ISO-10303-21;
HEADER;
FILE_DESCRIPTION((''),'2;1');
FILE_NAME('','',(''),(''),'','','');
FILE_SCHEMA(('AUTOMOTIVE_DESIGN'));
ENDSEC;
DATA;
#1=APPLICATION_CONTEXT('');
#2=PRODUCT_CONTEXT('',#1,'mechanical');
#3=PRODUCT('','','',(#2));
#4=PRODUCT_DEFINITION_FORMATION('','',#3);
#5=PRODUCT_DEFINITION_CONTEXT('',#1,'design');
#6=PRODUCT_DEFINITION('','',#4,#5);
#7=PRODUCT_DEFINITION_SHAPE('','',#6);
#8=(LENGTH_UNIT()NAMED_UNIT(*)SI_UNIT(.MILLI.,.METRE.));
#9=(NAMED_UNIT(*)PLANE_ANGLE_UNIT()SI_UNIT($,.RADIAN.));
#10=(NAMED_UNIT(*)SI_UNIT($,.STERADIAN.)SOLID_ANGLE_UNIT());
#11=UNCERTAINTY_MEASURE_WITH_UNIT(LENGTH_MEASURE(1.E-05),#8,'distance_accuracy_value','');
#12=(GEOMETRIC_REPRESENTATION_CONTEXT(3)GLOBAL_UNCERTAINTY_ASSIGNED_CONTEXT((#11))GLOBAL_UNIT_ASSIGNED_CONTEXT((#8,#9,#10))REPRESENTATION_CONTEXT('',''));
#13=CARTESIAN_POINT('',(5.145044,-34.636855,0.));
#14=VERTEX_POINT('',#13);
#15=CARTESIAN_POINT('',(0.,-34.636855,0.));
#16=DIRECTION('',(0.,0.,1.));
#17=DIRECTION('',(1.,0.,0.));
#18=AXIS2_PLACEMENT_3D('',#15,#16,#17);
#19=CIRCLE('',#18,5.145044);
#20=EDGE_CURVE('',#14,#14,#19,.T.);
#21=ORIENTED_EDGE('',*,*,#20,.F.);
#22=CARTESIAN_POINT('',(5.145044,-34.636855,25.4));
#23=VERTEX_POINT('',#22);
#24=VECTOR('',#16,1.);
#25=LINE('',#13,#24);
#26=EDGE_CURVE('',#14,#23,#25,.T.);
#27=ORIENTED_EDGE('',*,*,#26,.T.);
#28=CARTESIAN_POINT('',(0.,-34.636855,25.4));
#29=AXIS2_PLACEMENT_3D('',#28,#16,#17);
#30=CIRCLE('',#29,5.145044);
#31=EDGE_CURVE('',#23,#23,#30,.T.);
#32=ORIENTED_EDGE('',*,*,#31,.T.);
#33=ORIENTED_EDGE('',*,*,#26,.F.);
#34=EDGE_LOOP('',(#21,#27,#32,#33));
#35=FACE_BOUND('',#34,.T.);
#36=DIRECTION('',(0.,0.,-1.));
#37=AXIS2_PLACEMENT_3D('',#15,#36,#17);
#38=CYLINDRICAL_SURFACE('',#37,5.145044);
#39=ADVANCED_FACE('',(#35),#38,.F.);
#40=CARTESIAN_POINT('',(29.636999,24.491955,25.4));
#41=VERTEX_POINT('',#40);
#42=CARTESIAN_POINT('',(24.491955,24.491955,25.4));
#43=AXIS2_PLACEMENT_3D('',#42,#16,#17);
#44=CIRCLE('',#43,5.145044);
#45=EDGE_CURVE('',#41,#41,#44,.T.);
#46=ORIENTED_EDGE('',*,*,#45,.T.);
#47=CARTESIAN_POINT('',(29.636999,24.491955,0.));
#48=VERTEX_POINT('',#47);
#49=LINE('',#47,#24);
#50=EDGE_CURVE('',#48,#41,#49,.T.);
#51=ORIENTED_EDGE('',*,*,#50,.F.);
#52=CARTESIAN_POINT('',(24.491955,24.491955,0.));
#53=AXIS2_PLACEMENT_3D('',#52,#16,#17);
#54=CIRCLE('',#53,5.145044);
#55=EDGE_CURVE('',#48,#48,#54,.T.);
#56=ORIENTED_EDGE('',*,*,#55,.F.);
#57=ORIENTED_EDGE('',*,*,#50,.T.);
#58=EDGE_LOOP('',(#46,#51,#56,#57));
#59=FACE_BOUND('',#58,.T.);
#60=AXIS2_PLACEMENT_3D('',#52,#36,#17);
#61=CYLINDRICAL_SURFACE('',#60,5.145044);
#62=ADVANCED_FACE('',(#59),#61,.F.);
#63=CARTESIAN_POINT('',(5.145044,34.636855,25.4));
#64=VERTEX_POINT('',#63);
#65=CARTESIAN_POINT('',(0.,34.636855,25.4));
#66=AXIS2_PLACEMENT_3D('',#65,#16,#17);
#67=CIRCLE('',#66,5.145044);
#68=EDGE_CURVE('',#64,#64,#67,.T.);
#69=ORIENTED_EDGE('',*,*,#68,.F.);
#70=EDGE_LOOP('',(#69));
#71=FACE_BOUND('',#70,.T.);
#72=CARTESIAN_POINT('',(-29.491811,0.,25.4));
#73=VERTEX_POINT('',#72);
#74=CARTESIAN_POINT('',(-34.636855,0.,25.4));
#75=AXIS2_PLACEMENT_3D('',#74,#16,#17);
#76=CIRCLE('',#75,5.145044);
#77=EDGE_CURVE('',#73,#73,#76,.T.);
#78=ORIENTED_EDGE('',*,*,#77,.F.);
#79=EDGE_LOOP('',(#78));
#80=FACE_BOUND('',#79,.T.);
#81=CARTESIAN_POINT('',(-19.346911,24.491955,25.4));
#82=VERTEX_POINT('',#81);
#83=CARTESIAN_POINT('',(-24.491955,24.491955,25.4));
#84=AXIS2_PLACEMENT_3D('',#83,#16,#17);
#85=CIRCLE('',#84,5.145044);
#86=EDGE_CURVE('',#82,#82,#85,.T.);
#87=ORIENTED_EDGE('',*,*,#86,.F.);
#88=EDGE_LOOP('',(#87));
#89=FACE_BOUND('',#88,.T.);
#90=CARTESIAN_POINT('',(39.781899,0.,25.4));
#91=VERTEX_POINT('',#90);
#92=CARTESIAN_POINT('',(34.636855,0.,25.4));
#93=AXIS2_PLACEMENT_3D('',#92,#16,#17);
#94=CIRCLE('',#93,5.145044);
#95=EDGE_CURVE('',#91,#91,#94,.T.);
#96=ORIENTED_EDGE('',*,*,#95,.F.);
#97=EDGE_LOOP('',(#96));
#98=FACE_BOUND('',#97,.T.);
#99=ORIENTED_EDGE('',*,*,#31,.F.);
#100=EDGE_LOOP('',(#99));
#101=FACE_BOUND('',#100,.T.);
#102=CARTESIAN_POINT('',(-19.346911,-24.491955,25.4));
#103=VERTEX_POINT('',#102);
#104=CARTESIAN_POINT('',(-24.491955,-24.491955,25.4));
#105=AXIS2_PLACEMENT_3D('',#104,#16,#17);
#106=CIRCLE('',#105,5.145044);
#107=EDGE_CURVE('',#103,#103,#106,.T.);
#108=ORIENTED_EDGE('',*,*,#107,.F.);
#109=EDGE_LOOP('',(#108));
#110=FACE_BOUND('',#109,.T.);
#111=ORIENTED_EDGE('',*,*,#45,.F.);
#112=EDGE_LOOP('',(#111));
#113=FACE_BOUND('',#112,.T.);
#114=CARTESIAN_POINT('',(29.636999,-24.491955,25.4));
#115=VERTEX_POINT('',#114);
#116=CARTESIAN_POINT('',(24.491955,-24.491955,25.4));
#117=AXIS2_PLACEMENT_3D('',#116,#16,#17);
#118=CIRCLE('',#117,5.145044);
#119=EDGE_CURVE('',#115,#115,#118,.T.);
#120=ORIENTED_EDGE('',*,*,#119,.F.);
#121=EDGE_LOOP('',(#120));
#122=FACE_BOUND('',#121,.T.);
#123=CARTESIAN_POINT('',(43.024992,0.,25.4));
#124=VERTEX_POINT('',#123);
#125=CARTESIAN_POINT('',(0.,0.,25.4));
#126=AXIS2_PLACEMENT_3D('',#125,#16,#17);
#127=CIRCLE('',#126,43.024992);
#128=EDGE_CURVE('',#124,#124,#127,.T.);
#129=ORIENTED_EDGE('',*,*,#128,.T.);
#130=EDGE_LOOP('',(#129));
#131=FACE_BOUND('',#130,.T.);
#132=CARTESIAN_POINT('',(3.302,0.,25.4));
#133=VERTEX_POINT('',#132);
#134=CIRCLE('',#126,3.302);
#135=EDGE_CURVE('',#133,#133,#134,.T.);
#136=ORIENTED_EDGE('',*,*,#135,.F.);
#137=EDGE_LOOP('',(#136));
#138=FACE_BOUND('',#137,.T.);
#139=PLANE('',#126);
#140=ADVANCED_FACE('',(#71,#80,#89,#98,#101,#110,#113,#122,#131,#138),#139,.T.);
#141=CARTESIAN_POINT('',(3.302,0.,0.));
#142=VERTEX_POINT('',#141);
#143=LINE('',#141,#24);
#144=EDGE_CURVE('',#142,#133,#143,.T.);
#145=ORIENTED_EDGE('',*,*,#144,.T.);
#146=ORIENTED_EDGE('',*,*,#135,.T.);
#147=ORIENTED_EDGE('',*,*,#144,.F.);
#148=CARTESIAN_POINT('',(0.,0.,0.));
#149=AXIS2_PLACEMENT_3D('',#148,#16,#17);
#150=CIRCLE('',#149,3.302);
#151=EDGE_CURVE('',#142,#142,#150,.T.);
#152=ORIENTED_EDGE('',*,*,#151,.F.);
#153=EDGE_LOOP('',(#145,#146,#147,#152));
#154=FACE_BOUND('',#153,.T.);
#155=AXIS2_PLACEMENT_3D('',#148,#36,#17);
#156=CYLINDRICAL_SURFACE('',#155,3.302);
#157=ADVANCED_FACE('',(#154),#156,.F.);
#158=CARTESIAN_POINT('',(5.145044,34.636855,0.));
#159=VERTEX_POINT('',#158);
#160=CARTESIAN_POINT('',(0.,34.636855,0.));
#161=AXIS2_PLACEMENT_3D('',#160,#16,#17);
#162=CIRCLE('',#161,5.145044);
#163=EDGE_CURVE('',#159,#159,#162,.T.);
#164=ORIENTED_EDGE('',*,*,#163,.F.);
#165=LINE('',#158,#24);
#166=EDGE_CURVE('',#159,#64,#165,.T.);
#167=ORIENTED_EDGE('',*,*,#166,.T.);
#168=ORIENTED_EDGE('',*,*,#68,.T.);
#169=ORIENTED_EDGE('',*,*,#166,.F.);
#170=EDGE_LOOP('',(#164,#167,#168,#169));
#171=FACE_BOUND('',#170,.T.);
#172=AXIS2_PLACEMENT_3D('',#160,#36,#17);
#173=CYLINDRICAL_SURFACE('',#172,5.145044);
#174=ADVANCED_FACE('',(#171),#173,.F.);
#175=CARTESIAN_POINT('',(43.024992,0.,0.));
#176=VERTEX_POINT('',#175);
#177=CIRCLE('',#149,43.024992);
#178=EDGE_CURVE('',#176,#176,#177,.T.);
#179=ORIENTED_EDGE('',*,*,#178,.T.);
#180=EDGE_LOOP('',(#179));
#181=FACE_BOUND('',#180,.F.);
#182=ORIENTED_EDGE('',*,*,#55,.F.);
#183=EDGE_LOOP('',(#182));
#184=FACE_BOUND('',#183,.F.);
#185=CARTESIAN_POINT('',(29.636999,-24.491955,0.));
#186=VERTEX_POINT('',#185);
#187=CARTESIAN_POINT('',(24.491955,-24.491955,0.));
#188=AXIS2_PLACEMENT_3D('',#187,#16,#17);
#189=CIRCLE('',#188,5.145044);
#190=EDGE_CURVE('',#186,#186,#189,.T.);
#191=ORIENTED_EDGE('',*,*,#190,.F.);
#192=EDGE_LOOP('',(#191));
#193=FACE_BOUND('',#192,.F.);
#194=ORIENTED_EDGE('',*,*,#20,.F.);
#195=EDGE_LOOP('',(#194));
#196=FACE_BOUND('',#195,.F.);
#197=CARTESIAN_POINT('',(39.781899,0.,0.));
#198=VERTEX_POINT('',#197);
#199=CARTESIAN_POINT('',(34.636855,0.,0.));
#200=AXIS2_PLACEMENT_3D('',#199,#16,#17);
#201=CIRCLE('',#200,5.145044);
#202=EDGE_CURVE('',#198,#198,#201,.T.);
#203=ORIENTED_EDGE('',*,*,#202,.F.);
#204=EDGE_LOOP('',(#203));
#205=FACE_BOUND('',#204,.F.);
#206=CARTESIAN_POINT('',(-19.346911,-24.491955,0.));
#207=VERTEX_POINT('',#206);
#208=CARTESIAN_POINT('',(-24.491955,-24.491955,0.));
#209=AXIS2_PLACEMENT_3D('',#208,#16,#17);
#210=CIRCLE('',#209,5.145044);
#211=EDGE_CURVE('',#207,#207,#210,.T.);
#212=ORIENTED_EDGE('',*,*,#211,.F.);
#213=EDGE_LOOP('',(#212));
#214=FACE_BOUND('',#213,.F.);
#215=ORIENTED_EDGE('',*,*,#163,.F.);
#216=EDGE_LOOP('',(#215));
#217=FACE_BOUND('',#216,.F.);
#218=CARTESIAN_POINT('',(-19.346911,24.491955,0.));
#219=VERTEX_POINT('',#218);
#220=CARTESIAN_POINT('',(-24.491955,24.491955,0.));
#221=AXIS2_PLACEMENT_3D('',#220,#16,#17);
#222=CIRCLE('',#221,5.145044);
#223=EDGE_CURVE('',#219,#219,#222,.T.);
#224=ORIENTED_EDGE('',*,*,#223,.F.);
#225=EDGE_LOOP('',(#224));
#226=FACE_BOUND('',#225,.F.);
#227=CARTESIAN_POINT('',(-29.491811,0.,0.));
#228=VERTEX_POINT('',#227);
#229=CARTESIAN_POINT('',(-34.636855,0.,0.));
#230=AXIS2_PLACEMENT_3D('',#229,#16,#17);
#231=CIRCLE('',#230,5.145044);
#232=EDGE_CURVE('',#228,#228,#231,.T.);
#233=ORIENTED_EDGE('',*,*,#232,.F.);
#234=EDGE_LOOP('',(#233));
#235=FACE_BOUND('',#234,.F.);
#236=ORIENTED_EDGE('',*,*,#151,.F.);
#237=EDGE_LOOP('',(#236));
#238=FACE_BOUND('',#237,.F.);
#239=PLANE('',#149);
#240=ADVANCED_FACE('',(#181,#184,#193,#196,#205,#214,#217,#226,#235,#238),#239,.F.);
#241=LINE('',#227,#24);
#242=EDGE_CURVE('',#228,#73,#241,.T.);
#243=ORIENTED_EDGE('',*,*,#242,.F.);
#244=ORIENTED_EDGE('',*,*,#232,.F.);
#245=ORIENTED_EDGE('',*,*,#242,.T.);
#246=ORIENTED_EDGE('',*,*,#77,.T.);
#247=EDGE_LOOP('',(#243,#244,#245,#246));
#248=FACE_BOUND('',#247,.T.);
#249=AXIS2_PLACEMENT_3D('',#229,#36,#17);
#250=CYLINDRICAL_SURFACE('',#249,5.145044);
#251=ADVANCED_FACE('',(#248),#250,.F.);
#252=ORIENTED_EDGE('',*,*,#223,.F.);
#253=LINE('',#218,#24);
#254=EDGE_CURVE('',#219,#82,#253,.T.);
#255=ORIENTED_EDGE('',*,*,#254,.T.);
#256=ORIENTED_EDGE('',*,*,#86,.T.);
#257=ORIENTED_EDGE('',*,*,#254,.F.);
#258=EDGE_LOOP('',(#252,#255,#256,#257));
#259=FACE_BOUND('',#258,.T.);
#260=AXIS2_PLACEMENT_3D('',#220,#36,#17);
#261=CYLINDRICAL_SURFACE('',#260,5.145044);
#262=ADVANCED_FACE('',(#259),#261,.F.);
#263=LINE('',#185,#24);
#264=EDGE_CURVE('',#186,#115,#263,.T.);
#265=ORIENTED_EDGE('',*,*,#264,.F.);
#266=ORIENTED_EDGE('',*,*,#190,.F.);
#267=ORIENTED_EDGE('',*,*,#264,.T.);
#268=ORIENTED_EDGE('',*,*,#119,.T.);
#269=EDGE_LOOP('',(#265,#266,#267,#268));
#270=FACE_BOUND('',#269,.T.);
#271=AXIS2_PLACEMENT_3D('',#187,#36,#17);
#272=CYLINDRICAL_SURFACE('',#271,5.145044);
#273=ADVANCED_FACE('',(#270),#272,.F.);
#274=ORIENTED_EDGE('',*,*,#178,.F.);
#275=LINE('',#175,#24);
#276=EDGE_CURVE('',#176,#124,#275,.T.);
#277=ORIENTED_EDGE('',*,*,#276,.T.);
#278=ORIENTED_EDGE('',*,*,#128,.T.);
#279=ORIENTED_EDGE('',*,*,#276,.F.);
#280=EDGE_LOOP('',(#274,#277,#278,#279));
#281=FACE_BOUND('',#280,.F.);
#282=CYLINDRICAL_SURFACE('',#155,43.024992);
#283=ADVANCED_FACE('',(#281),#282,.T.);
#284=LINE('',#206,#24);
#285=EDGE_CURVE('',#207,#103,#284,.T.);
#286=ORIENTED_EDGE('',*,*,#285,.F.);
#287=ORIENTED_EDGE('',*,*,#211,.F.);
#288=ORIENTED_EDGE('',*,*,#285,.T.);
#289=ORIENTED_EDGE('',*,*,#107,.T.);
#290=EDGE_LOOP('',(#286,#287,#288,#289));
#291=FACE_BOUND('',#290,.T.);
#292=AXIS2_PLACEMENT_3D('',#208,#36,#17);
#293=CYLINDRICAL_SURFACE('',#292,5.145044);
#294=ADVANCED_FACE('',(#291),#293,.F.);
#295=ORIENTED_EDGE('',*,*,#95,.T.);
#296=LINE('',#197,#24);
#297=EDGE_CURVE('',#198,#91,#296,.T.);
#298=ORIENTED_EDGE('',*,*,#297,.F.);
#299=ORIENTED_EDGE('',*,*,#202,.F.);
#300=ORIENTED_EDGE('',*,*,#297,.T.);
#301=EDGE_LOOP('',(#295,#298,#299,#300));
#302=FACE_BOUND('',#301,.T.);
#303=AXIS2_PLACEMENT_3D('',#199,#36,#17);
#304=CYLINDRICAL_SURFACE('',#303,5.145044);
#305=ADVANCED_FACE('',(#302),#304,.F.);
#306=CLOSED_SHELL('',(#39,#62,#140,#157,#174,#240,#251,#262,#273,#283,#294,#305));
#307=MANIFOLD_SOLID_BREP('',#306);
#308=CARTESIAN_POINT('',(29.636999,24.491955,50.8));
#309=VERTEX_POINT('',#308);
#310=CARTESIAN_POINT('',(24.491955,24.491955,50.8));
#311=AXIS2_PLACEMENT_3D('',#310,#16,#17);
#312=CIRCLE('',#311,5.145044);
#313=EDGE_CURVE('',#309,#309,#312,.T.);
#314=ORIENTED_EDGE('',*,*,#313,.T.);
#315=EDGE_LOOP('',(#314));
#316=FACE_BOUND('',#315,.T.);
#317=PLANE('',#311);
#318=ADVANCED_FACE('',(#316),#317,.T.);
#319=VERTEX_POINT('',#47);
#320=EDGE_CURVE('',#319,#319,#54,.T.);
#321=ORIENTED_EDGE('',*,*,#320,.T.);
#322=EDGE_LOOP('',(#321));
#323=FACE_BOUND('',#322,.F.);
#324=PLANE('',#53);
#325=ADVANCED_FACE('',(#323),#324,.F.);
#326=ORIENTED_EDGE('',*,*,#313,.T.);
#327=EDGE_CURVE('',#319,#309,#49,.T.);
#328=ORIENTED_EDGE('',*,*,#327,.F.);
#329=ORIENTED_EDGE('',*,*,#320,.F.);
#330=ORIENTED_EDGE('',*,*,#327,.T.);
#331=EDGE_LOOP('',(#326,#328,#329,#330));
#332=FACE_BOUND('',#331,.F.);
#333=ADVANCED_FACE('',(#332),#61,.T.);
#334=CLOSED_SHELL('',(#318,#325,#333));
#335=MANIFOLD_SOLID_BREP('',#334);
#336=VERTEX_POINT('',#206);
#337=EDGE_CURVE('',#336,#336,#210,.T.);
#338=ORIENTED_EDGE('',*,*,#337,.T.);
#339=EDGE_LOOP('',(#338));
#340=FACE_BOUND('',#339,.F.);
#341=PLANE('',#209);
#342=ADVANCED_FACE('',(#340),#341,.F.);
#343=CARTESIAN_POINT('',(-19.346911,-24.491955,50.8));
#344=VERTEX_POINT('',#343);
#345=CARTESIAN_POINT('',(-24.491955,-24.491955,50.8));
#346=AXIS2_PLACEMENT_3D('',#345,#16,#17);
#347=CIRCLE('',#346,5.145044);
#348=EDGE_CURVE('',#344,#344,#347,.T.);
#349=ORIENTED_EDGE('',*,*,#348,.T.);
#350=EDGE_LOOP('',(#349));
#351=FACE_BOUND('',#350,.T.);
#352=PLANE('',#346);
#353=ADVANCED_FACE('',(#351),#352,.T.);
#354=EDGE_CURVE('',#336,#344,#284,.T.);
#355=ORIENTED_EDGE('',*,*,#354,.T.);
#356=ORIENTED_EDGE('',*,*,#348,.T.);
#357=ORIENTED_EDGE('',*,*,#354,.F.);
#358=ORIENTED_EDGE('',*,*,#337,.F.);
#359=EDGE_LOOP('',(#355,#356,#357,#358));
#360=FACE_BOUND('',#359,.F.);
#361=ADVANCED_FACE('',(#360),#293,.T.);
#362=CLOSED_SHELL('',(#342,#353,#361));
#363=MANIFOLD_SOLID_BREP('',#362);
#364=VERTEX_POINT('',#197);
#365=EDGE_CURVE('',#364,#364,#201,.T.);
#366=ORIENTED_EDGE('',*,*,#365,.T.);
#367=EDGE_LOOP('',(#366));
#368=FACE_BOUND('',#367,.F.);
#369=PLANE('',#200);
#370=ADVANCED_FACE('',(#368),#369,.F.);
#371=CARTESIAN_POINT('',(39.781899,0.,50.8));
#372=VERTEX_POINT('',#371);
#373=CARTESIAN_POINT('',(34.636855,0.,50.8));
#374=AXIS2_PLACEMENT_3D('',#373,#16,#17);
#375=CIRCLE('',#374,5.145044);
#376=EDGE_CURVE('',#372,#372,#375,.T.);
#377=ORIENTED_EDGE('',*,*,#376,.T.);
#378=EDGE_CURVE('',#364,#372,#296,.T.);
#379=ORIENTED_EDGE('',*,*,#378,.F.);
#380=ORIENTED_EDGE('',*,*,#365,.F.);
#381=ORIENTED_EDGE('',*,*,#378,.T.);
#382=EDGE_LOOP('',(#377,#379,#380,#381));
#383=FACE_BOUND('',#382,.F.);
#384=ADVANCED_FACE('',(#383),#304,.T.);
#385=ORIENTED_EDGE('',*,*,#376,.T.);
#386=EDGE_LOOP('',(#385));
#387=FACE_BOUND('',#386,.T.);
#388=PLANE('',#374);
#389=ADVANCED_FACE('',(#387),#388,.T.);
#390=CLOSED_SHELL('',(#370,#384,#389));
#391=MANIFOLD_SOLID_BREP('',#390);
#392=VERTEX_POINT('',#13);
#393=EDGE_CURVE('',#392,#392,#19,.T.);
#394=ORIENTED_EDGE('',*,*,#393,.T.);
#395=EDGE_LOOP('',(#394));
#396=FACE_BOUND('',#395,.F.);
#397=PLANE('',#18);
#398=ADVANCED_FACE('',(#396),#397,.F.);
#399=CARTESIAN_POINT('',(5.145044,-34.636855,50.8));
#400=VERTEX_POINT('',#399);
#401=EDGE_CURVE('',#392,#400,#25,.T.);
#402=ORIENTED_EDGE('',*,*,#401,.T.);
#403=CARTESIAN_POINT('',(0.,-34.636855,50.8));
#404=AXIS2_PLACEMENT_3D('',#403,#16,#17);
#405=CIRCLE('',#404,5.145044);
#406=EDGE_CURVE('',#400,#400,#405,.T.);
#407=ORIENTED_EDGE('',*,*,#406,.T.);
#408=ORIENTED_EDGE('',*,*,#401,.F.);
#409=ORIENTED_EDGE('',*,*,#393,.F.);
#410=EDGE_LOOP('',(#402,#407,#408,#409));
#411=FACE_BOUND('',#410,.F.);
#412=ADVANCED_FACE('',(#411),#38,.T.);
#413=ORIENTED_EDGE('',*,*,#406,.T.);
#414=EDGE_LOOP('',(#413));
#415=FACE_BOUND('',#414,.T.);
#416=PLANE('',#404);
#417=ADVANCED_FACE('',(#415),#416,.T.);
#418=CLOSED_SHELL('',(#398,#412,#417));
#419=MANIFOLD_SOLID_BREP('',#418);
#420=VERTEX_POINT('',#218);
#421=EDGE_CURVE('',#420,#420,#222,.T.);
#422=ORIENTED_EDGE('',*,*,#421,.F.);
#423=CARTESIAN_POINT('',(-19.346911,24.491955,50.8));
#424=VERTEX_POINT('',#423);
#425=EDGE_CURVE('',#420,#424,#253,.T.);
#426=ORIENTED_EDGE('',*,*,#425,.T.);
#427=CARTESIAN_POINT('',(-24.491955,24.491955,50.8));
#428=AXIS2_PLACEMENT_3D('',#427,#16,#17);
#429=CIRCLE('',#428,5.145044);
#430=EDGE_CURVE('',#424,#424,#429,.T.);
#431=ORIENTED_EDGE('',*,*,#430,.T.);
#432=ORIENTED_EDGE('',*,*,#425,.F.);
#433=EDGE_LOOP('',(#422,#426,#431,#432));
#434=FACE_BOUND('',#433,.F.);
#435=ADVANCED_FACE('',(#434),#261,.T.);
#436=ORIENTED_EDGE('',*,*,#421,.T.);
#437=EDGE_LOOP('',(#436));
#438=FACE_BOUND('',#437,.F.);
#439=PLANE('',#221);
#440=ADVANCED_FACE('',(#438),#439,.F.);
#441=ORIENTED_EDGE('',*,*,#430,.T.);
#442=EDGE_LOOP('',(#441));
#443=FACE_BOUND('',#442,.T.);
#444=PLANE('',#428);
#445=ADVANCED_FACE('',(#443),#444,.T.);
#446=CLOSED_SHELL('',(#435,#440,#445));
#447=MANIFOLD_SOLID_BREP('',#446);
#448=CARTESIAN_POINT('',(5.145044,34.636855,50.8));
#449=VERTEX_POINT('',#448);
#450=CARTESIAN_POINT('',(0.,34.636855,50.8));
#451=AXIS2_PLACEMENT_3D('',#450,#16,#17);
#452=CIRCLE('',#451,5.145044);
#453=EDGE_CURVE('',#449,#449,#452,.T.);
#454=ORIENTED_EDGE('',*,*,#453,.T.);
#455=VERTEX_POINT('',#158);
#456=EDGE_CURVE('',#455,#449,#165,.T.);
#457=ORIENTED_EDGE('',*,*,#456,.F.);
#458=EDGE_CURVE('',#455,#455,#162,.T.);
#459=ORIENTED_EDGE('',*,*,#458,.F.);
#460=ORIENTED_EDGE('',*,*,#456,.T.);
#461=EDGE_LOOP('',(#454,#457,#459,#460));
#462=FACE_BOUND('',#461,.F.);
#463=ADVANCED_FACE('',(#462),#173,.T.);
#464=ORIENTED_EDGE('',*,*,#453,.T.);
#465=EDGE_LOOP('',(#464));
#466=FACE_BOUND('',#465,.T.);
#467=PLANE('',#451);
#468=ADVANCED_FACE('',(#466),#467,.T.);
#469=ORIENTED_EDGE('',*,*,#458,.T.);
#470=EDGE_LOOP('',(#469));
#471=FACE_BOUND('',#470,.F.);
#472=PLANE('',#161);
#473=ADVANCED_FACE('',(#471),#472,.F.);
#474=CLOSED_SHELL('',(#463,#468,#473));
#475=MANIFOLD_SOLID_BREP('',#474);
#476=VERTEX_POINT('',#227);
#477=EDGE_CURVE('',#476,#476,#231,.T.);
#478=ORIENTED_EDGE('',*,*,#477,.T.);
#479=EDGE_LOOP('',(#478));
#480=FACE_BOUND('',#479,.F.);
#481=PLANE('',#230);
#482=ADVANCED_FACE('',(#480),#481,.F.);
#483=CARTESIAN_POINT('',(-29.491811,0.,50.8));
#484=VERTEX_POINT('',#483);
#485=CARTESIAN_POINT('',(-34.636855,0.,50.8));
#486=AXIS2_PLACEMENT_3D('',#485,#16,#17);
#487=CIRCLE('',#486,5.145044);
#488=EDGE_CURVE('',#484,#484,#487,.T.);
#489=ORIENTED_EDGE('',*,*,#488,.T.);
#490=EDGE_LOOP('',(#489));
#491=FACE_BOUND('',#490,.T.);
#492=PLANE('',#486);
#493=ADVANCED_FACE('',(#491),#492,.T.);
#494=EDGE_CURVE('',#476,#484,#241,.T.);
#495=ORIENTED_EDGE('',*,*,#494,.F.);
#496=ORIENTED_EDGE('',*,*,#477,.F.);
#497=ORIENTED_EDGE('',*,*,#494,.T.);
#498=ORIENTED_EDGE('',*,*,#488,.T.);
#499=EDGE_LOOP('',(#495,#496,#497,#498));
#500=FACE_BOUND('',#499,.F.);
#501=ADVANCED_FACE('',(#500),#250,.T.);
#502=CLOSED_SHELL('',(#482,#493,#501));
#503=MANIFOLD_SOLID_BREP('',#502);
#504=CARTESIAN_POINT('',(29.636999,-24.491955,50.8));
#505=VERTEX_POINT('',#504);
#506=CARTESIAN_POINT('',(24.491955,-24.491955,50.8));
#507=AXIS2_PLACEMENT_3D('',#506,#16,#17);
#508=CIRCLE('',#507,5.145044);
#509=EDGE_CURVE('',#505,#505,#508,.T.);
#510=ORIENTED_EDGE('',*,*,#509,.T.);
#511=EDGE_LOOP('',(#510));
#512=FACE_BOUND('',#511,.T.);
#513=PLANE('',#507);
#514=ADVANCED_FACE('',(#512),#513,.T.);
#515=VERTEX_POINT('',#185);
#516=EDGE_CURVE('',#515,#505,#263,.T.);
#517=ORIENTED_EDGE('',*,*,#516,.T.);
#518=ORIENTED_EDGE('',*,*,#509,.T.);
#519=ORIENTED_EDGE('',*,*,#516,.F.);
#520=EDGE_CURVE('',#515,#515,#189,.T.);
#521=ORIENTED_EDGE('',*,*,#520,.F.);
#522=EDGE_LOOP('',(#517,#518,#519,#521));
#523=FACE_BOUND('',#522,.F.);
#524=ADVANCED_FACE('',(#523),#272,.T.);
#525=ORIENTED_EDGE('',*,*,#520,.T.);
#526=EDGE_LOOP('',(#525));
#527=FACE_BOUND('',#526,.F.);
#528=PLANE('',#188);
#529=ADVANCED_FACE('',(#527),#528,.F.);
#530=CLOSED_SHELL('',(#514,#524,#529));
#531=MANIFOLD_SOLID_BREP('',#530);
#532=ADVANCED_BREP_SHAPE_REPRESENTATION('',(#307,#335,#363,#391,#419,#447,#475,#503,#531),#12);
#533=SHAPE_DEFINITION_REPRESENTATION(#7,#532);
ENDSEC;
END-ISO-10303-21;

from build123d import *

# Parameters (mm, degrees)
F0_R     = 5.145044
F1_DEPTH = 50.8
F2_DEPTH = 50.8
F3_DEPTH = 50.8
F4_DEPTH = 50.8
F5_DEPTH = 50.8
F6_DEPTH = 50.8
F7_DEPTH = 50.8
F8_DEPTH = 50.8
F0_R_2   = 43.024992
F0_R_3   = 3.302
F9_DEPTH = 25.4


with BuildPart() as f1:
    # F0 (on Top) → F1 (new body)
    with BuildSketch(Plane.XY):
        with Locations((0, 34.636855)):
            Circle(F0_R)
    extrude(amount=F1_DEPTH)


with BuildPart() as f2:
    # F0 (on Top) → F2 (new body)
    with BuildSketch(Plane.XY):
        with Locations((-24.491955, 24.491955)):
            Circle(F0_R)
    extrude(amount=F2_DEPTH)


with BuildPart() as f3:
    # F0 (on Top) → F3 (new body)
    with BuildSketch(Plane.XY):
        with Locations((-34.636855, 0)):
            Circle(F0_R)
    extrude(amount=F3_DEPTH)


with BuildPart() as f4:
    # F0 (on Top) → F4 (new body)
    with BuildSketch(Plane.XY):
        with Locations((-24.491955, -24.491955)):
            Circle(F0_R)
    extrude(amount=F4_DEPTH)


with BuildPart() as f5:
    # F0 (on Top) → F5 (new body)
    with BuildSketch(Plane.XY):
        with Locations((0, -34.636855)):
            Circle(F0_R)
    extrude(amount=F5_DEPTH)


with BuildPart() as f6:
    # F0 (on Top) → F6 (new body)
    with BuildSketch(Plane.XY):
        with Locations((24.491955, -24.491955)):
            Circle(F0_R)
    extrude(amount=F6_DEPTH)


with BuildPart() as f7:
    # F0 (on Top) → F7 (new body)
    with BuildSketch(Plane.XY):
        with Locations((34.636855, 0)):
            Circle(F0_R)
    extrude(amount=F7_DEPTH)


with BuildPart() as f8:
    # F0 (on Top) → F8 (new body)
    with BuildSketch(Plane.XY):
        with Locations((24.491955, 24.491955)):
            Circle(F0_R)
    extrude(amount=F8_DEPTH)


with BuildPart() as f9:
    # F0 (on Top) → F9 (new body)
    with BuildSketch(Plane.XY):
        Circle(F0_R_2)
        with Locations((-24.491955, -24.491955)):
            Circle(F0_R, mode=Mode.SUBTRACT)
        with Locations((0, -34.636855)):
            Circle(F0_R, mode=Mode.SUBTRACT)
        with Locations((-34.636855, 0)):
            Circle(F0_R, mode=Mode.SUBTRACT)
        Circle(F0_R_3, mode=Mode.SUBTRACT)
        with Locations((24.491955, -24.491955)):
            Circle(F0_R, mode=Mode.SUBTRACT)
        with Locations((34.636855, 0)):
            Circle(F0_R, mode=Mode.SUBTRACT)
        with Locations((-24.491955, 24.491955)):
            Circle(F0_R, mode=Mode.SUBTRACT)
        with Locations((0, 34.636855)):
            Circle(F0_R, mode=Mode.SUBTRACT)
        with Locations((24.491955, 24.491955)):
            Circle(F0_R, mode=Mode.SUBTRACT)
    extrude(amount=F9_DEPTH)


solid = Compound([f1.part, f2.part, f3.part, f4.part, f5.part, f6.part, f7.part, f8.part, f9.part])
